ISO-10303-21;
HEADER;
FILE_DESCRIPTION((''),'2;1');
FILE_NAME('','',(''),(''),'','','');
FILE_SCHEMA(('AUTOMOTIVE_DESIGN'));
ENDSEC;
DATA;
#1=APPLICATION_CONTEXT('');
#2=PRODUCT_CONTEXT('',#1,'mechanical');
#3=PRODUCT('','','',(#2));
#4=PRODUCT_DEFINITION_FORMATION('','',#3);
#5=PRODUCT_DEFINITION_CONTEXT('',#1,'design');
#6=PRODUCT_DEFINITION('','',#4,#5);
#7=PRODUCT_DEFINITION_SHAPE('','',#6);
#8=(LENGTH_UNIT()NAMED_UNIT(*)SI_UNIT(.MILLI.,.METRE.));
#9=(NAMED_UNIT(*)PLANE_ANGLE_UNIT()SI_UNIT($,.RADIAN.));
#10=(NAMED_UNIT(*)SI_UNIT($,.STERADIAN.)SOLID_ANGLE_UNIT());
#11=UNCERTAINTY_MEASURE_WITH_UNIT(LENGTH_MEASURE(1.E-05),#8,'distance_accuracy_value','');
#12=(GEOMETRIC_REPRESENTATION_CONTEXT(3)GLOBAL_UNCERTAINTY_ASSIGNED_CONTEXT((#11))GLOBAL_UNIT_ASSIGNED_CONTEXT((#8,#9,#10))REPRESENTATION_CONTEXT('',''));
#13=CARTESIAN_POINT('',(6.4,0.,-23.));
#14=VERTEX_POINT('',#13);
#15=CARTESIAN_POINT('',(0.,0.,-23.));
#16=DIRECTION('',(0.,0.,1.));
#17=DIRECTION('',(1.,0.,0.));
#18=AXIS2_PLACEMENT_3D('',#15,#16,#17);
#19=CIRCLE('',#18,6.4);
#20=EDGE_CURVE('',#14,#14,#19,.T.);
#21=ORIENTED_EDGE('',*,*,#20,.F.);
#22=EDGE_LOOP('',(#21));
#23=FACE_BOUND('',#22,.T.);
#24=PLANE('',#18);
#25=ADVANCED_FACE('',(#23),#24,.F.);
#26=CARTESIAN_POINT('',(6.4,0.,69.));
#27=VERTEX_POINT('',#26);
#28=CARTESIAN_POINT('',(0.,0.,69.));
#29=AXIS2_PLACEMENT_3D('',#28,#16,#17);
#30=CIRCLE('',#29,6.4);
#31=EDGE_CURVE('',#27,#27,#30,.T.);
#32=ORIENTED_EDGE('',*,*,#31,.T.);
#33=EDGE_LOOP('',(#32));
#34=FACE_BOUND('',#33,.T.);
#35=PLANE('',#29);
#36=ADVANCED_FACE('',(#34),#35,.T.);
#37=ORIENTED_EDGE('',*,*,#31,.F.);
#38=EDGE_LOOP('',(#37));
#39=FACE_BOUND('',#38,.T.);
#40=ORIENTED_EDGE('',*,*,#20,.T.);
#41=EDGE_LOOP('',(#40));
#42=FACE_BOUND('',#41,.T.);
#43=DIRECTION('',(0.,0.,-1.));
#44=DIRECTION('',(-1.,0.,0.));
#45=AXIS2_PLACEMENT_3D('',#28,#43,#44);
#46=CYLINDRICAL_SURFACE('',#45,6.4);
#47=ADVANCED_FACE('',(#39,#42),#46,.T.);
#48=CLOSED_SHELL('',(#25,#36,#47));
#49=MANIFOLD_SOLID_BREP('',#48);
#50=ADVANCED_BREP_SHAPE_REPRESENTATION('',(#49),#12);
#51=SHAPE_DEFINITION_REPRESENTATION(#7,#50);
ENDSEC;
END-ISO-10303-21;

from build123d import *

# Parameters (mm, degrees)
SKETCH1_R           = 3.2
BOSS_EXTRUDE1_DEPTH = 46
SCALE_1_SCALE       = 2


with BuildPart() as part:
    # Sketch1 → Boss-Extrude1 (new body)
    with BuildSketch(Plane.XY):
        Circle(SKETCH1_R)
    extrude(amount=BOSS_EXTRUDE1_DEPTH)


with BuildPart() as part_1:
    # 缩放比例1: scaled about (0, 0, 23)
    add(part.part.scale(SCALE_1_SCALE).moved(Location((0, 0, -23))))


solid = part_1.part
